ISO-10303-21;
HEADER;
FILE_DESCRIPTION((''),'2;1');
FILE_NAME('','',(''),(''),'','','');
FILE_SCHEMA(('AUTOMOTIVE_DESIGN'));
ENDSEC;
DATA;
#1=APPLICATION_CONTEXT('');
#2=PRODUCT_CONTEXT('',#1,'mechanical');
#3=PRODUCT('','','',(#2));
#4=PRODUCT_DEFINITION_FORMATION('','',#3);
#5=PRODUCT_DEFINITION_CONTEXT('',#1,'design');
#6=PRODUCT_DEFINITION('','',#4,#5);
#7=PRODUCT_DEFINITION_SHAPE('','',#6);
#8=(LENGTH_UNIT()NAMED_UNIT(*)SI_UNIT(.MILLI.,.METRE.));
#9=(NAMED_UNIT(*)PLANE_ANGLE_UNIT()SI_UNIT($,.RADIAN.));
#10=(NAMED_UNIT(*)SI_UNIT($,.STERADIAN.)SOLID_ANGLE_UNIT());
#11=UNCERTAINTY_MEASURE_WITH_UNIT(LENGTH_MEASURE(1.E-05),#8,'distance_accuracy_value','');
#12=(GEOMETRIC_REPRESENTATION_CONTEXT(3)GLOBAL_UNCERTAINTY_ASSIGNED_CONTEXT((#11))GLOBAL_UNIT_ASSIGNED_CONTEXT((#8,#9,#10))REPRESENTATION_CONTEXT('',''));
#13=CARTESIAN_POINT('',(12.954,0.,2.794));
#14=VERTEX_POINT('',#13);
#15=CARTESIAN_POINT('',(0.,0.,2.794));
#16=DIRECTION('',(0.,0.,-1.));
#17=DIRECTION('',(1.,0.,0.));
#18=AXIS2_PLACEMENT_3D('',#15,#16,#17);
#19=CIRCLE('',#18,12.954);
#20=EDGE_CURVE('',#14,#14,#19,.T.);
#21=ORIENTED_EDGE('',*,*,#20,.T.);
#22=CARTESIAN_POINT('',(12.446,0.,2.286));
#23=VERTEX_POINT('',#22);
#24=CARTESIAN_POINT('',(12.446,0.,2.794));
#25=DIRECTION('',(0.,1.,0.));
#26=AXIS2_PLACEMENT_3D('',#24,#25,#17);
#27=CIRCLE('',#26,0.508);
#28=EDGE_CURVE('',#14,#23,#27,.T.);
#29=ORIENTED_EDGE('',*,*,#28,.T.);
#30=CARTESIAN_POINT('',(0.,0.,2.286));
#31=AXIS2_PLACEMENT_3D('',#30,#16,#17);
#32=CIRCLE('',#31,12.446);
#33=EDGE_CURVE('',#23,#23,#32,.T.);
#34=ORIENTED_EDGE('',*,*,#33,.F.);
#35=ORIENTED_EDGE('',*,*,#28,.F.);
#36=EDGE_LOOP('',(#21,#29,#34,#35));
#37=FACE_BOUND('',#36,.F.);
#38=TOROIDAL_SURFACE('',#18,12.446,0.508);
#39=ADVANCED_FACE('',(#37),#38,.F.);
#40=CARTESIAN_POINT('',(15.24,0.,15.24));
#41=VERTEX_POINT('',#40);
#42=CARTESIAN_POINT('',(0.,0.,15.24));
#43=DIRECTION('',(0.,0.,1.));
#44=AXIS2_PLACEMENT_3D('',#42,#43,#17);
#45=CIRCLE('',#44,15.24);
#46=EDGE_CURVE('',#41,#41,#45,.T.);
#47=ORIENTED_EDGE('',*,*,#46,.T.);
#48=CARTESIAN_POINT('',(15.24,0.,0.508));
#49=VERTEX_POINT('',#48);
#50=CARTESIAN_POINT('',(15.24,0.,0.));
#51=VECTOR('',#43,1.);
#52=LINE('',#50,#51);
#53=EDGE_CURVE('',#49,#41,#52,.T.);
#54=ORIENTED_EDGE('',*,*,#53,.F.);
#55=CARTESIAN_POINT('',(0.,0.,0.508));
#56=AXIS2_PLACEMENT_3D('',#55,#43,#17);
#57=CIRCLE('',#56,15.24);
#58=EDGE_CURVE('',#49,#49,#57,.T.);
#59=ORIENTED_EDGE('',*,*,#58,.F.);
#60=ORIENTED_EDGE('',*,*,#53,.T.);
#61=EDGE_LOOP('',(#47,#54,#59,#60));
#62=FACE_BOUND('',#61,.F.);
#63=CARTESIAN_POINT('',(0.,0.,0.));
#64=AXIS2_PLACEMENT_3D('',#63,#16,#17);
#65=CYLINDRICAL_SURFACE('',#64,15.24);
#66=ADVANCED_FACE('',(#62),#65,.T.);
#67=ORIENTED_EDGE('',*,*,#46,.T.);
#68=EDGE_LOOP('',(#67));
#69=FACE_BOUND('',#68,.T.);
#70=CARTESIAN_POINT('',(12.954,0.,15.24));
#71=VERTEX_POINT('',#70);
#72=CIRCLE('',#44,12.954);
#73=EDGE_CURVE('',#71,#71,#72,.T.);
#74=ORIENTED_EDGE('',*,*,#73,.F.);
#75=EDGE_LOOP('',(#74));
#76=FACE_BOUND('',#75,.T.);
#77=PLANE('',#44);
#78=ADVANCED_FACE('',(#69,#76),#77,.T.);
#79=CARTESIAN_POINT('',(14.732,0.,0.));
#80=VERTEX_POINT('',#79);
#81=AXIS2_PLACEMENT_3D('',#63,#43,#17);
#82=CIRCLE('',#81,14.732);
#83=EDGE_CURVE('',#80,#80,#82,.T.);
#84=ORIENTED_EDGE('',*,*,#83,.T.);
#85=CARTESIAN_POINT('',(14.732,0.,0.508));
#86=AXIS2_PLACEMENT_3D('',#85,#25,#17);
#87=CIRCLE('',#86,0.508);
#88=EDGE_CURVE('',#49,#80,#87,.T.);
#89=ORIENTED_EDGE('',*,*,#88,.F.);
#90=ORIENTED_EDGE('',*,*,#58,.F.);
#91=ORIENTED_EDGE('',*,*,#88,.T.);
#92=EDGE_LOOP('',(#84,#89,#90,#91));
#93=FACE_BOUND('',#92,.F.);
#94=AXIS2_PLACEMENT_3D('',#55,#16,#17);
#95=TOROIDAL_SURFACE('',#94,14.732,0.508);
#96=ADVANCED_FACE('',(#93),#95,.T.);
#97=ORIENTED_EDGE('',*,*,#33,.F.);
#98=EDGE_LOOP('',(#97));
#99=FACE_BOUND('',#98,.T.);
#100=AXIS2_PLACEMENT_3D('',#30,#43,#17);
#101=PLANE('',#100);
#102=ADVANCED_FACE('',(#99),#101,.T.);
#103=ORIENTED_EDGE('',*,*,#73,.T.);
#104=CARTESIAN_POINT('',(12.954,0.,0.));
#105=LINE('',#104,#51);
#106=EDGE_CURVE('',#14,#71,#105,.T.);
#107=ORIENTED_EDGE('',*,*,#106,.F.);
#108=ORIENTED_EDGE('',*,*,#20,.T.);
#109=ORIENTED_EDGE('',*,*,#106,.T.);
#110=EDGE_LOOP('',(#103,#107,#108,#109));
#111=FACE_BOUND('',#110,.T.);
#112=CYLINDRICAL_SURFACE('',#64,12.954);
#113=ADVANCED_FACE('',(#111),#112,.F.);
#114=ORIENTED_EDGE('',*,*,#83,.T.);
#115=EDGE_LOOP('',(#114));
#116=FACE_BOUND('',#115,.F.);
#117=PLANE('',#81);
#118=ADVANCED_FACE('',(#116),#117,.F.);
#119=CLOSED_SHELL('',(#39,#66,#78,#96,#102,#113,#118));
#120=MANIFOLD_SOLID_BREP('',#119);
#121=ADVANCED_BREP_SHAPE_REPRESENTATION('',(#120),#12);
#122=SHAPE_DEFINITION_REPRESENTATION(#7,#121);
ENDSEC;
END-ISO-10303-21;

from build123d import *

# Parameters (mm, degrees)
F0_R     = 15.24
F1_DEPTH = 15.24
F2_T     = -2.286
F3_R     = 0.508
F4_R     = 0.508


with BuildPart() as f1:
    # F0 (on Top) → F1 (new body)
    with BuildSketch(Plane.XY):
        Circle(F0_R)
    extrude(amount=F1_DEPTH)

    # F2
    f2_openings = [f1.faces().sort_by_distance(p)[0] for p in [
        (0, 0, 15.24),
    ]]
    offset(amount=F2_T, openings=f2_openings)

    # F3
    f3_edges = [f1.edges().sort_by_distance(p)[0] for p in [
        (-12.954, 0, 2.286),
    ]]
    fillet(f3_edges, radius=F3_R)

    # F4
    f4_edges = [f1.edges().sort_by_distance(p)[0] for p in [
        (-15.24, 0, 0),
    ]]
    fillet(f4_edges, radius=F4_R)


solid = f1.part
